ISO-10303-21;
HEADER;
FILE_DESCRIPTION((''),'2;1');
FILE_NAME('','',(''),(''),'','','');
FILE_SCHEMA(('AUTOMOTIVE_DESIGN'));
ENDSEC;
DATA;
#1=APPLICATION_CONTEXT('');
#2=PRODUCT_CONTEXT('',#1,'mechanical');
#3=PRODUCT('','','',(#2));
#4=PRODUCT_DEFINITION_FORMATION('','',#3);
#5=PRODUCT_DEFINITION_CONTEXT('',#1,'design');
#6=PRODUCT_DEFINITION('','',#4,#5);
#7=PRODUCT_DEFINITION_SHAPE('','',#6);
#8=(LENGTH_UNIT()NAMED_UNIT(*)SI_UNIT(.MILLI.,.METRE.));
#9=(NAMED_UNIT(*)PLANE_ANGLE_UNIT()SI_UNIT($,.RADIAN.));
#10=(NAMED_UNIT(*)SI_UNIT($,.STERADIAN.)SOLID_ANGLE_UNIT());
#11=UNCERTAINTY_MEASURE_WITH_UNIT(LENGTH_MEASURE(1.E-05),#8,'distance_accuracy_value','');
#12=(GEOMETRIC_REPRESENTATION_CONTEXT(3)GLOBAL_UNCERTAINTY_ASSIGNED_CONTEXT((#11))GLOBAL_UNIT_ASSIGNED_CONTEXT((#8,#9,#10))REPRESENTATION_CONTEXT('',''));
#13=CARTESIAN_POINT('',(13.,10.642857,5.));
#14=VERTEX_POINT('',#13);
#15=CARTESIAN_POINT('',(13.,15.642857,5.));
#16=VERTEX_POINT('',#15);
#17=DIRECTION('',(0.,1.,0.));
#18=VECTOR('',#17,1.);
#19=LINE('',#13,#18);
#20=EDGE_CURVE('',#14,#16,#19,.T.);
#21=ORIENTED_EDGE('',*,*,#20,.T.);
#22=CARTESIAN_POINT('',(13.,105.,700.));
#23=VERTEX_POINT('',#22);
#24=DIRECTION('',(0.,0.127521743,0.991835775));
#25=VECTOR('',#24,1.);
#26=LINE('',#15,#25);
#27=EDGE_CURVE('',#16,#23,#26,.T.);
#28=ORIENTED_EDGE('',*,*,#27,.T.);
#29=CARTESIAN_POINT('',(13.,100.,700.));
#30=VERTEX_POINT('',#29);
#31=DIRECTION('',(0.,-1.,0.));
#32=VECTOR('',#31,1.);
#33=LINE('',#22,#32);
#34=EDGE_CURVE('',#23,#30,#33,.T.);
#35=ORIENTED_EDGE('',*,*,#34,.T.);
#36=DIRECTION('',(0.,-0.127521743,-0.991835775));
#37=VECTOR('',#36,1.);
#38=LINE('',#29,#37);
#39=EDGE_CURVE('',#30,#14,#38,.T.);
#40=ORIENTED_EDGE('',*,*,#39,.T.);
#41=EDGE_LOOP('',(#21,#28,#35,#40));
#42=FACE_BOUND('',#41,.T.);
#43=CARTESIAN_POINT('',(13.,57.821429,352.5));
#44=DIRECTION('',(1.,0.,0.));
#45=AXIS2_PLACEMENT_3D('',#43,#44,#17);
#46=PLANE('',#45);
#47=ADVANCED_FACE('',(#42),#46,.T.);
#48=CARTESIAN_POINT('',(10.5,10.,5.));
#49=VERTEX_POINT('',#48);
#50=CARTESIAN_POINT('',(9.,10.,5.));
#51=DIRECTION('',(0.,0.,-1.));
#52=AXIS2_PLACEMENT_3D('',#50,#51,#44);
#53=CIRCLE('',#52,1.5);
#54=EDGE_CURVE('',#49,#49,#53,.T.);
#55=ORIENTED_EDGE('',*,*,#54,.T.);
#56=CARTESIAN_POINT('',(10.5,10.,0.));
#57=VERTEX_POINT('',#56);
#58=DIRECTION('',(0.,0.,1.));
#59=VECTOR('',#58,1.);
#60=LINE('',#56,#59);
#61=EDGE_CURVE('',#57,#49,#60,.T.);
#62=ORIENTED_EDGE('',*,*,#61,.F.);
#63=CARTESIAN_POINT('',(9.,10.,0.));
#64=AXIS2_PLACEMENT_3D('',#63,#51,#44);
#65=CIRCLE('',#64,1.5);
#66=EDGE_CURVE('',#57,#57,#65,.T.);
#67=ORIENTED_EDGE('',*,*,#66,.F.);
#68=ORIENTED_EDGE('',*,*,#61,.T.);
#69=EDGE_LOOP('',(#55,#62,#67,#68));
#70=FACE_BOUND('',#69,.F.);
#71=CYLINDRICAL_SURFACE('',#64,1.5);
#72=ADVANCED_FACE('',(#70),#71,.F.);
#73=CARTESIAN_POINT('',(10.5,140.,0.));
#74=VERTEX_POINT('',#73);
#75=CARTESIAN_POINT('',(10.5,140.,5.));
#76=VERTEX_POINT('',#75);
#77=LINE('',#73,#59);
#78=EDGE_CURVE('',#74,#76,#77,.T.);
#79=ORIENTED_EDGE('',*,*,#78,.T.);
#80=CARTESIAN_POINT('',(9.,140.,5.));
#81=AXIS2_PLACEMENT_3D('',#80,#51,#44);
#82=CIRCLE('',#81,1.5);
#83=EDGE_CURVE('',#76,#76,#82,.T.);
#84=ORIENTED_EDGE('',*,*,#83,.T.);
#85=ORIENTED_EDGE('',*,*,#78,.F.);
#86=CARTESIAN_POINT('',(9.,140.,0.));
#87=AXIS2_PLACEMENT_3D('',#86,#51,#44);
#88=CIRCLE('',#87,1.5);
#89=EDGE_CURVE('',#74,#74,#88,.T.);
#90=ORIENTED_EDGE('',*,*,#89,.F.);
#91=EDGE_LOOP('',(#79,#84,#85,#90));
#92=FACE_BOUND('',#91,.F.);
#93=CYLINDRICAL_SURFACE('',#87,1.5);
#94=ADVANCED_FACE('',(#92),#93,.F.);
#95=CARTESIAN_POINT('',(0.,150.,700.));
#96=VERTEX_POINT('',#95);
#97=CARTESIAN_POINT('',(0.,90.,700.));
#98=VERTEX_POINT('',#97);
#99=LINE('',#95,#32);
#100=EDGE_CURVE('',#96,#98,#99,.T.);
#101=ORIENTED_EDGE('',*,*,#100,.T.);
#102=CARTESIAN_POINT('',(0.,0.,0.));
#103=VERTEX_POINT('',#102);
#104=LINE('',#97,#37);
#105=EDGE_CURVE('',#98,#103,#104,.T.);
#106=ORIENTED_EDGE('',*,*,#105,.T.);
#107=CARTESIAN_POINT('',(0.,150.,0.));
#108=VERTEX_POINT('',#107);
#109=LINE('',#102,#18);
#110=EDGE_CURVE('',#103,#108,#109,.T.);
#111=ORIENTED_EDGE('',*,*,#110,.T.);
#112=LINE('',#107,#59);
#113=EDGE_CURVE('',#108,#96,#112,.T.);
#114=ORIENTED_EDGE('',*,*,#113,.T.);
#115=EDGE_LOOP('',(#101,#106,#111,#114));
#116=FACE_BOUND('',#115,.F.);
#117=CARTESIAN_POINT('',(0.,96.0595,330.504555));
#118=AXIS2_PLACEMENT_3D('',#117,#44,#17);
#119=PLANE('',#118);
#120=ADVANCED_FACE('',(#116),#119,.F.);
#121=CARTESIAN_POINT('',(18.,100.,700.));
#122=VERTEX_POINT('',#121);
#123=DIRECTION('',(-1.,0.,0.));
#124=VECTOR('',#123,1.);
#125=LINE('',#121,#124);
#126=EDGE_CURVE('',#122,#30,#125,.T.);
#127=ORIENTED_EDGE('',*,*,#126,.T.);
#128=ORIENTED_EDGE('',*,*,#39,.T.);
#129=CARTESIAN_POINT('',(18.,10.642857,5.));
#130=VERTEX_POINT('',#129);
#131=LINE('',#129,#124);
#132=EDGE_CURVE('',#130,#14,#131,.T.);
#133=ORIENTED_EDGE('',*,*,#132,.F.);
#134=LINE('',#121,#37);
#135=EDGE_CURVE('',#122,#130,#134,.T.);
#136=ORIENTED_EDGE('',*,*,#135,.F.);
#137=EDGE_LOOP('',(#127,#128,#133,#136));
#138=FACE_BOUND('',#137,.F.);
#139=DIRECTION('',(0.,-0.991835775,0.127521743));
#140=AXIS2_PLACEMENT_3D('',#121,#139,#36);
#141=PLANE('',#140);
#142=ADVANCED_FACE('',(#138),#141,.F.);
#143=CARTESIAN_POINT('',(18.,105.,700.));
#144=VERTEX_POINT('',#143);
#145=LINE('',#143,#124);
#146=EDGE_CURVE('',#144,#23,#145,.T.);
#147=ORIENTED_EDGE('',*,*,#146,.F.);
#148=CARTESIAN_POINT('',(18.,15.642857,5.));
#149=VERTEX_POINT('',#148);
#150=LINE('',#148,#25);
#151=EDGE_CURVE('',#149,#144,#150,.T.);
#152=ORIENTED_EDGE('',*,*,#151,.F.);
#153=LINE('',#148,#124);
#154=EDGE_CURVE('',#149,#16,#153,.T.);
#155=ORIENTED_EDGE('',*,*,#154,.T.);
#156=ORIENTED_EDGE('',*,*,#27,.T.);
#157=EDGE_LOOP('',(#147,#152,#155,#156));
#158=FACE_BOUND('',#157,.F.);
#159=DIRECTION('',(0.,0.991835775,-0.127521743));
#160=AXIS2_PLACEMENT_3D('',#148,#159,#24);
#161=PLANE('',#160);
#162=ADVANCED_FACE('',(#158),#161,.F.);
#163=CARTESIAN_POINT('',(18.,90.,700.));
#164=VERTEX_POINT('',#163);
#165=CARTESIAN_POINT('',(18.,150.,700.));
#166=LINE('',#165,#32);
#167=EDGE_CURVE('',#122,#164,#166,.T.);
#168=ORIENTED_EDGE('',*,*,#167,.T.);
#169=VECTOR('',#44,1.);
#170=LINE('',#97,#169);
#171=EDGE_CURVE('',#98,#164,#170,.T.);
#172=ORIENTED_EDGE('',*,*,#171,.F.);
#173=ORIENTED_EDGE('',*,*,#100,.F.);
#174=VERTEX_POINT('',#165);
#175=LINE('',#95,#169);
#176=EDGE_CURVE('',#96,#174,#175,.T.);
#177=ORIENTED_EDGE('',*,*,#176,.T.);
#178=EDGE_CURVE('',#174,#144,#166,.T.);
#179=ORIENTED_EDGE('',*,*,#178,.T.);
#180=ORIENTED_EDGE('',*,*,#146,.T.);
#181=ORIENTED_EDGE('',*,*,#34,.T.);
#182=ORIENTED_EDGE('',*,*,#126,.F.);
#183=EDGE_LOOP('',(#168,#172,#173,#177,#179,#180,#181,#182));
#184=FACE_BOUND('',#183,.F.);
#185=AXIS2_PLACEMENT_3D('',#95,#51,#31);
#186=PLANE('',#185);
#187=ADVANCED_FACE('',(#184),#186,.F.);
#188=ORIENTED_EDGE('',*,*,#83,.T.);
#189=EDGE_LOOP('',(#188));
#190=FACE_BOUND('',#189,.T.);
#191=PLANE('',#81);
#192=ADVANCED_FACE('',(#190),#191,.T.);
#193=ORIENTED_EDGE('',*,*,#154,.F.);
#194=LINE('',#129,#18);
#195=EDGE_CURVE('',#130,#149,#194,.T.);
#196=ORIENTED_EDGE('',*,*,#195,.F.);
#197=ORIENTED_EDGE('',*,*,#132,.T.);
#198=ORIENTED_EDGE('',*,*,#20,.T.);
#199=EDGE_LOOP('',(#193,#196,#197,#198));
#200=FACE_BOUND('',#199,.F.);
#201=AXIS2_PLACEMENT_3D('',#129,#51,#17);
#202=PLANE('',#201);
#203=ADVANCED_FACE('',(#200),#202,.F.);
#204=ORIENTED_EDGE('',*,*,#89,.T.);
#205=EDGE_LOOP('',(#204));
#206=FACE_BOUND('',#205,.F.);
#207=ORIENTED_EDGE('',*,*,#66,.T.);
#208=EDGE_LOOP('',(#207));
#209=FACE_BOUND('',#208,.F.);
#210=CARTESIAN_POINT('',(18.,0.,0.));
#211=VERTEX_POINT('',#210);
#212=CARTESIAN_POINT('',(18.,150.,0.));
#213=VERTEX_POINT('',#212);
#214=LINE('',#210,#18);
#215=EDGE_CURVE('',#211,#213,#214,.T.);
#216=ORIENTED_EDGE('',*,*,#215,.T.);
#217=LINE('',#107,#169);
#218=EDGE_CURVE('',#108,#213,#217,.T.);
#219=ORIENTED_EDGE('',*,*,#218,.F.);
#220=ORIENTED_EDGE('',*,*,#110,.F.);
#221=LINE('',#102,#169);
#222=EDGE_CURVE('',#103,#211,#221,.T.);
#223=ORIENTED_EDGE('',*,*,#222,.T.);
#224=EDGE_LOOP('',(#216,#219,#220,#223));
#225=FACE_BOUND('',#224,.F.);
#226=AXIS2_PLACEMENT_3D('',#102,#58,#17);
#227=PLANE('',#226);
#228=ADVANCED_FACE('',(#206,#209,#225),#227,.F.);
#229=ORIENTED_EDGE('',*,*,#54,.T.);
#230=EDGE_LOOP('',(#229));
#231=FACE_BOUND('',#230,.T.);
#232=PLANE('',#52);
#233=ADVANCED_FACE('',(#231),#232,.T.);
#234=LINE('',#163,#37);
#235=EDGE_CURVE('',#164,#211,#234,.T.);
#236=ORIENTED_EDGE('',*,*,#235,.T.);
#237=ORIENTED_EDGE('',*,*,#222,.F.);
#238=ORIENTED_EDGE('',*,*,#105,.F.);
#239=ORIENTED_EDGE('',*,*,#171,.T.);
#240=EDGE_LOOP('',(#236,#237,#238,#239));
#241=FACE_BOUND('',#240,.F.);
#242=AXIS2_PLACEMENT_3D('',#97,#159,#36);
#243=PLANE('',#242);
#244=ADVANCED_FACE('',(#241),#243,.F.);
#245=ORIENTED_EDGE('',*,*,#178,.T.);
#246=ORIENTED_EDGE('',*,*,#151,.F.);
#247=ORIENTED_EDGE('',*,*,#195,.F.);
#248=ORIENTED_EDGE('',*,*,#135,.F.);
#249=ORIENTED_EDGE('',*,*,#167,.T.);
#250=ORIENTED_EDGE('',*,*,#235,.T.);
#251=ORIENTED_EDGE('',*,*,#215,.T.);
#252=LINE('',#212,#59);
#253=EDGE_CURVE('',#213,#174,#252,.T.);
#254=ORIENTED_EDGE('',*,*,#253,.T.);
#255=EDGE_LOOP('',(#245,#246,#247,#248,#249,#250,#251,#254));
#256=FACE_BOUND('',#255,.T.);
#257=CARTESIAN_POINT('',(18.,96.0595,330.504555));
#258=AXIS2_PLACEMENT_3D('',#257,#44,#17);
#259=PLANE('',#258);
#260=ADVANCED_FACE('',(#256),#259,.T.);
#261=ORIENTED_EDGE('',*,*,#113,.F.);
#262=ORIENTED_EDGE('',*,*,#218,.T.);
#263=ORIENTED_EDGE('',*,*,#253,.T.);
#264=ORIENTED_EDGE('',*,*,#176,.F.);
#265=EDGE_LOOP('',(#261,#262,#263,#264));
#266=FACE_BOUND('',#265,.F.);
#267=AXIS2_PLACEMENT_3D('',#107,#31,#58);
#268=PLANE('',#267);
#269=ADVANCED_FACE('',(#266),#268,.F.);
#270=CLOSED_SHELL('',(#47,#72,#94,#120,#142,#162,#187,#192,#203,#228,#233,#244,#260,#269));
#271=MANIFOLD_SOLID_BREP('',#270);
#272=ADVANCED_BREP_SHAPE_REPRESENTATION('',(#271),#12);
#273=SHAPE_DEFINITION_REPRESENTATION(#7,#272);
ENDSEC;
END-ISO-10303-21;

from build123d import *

# Parameters (mm, degrees)
F1_DEPTH = 18
F3_DEPTH = 5
F4_R     = 1.5
F5_DEPTH = 5


with BuildPart() as f1:
    # F0 (on Right) → F1 (new body)
    with BuildSketch(Plane.YZ):
        Polygon((90, 700), (0, 0), (150, 0), (150, 700), align=None)
    extrude(amount=F1_DEPTH)

    # F2 (on face) → F3 (cut)
    with BuildSketch(Plane.YZ.offset(18)):
        Polygon((100, 700), (10.642857, 5), (15.642857, 5), (105, 700), align=None)
    extrude(amount=-F3_DEPTH, mode=Mode.SUBTRACT)

    # F4 (on face) → F5 (cut)
    with BuildSketch(Plane(origin=(0, 0, 0), x_dir=(1, 0, 0), z_dir=(0, 0, -1))):
        with Locations((9, -10)):
            Circle(F4_R)
        with Locations((9, -140)):
            Circle(F4_R)
    extrude(amount=-F5_DEPTH, mode=Mode.SUBTRACT)


solid = f1.part
